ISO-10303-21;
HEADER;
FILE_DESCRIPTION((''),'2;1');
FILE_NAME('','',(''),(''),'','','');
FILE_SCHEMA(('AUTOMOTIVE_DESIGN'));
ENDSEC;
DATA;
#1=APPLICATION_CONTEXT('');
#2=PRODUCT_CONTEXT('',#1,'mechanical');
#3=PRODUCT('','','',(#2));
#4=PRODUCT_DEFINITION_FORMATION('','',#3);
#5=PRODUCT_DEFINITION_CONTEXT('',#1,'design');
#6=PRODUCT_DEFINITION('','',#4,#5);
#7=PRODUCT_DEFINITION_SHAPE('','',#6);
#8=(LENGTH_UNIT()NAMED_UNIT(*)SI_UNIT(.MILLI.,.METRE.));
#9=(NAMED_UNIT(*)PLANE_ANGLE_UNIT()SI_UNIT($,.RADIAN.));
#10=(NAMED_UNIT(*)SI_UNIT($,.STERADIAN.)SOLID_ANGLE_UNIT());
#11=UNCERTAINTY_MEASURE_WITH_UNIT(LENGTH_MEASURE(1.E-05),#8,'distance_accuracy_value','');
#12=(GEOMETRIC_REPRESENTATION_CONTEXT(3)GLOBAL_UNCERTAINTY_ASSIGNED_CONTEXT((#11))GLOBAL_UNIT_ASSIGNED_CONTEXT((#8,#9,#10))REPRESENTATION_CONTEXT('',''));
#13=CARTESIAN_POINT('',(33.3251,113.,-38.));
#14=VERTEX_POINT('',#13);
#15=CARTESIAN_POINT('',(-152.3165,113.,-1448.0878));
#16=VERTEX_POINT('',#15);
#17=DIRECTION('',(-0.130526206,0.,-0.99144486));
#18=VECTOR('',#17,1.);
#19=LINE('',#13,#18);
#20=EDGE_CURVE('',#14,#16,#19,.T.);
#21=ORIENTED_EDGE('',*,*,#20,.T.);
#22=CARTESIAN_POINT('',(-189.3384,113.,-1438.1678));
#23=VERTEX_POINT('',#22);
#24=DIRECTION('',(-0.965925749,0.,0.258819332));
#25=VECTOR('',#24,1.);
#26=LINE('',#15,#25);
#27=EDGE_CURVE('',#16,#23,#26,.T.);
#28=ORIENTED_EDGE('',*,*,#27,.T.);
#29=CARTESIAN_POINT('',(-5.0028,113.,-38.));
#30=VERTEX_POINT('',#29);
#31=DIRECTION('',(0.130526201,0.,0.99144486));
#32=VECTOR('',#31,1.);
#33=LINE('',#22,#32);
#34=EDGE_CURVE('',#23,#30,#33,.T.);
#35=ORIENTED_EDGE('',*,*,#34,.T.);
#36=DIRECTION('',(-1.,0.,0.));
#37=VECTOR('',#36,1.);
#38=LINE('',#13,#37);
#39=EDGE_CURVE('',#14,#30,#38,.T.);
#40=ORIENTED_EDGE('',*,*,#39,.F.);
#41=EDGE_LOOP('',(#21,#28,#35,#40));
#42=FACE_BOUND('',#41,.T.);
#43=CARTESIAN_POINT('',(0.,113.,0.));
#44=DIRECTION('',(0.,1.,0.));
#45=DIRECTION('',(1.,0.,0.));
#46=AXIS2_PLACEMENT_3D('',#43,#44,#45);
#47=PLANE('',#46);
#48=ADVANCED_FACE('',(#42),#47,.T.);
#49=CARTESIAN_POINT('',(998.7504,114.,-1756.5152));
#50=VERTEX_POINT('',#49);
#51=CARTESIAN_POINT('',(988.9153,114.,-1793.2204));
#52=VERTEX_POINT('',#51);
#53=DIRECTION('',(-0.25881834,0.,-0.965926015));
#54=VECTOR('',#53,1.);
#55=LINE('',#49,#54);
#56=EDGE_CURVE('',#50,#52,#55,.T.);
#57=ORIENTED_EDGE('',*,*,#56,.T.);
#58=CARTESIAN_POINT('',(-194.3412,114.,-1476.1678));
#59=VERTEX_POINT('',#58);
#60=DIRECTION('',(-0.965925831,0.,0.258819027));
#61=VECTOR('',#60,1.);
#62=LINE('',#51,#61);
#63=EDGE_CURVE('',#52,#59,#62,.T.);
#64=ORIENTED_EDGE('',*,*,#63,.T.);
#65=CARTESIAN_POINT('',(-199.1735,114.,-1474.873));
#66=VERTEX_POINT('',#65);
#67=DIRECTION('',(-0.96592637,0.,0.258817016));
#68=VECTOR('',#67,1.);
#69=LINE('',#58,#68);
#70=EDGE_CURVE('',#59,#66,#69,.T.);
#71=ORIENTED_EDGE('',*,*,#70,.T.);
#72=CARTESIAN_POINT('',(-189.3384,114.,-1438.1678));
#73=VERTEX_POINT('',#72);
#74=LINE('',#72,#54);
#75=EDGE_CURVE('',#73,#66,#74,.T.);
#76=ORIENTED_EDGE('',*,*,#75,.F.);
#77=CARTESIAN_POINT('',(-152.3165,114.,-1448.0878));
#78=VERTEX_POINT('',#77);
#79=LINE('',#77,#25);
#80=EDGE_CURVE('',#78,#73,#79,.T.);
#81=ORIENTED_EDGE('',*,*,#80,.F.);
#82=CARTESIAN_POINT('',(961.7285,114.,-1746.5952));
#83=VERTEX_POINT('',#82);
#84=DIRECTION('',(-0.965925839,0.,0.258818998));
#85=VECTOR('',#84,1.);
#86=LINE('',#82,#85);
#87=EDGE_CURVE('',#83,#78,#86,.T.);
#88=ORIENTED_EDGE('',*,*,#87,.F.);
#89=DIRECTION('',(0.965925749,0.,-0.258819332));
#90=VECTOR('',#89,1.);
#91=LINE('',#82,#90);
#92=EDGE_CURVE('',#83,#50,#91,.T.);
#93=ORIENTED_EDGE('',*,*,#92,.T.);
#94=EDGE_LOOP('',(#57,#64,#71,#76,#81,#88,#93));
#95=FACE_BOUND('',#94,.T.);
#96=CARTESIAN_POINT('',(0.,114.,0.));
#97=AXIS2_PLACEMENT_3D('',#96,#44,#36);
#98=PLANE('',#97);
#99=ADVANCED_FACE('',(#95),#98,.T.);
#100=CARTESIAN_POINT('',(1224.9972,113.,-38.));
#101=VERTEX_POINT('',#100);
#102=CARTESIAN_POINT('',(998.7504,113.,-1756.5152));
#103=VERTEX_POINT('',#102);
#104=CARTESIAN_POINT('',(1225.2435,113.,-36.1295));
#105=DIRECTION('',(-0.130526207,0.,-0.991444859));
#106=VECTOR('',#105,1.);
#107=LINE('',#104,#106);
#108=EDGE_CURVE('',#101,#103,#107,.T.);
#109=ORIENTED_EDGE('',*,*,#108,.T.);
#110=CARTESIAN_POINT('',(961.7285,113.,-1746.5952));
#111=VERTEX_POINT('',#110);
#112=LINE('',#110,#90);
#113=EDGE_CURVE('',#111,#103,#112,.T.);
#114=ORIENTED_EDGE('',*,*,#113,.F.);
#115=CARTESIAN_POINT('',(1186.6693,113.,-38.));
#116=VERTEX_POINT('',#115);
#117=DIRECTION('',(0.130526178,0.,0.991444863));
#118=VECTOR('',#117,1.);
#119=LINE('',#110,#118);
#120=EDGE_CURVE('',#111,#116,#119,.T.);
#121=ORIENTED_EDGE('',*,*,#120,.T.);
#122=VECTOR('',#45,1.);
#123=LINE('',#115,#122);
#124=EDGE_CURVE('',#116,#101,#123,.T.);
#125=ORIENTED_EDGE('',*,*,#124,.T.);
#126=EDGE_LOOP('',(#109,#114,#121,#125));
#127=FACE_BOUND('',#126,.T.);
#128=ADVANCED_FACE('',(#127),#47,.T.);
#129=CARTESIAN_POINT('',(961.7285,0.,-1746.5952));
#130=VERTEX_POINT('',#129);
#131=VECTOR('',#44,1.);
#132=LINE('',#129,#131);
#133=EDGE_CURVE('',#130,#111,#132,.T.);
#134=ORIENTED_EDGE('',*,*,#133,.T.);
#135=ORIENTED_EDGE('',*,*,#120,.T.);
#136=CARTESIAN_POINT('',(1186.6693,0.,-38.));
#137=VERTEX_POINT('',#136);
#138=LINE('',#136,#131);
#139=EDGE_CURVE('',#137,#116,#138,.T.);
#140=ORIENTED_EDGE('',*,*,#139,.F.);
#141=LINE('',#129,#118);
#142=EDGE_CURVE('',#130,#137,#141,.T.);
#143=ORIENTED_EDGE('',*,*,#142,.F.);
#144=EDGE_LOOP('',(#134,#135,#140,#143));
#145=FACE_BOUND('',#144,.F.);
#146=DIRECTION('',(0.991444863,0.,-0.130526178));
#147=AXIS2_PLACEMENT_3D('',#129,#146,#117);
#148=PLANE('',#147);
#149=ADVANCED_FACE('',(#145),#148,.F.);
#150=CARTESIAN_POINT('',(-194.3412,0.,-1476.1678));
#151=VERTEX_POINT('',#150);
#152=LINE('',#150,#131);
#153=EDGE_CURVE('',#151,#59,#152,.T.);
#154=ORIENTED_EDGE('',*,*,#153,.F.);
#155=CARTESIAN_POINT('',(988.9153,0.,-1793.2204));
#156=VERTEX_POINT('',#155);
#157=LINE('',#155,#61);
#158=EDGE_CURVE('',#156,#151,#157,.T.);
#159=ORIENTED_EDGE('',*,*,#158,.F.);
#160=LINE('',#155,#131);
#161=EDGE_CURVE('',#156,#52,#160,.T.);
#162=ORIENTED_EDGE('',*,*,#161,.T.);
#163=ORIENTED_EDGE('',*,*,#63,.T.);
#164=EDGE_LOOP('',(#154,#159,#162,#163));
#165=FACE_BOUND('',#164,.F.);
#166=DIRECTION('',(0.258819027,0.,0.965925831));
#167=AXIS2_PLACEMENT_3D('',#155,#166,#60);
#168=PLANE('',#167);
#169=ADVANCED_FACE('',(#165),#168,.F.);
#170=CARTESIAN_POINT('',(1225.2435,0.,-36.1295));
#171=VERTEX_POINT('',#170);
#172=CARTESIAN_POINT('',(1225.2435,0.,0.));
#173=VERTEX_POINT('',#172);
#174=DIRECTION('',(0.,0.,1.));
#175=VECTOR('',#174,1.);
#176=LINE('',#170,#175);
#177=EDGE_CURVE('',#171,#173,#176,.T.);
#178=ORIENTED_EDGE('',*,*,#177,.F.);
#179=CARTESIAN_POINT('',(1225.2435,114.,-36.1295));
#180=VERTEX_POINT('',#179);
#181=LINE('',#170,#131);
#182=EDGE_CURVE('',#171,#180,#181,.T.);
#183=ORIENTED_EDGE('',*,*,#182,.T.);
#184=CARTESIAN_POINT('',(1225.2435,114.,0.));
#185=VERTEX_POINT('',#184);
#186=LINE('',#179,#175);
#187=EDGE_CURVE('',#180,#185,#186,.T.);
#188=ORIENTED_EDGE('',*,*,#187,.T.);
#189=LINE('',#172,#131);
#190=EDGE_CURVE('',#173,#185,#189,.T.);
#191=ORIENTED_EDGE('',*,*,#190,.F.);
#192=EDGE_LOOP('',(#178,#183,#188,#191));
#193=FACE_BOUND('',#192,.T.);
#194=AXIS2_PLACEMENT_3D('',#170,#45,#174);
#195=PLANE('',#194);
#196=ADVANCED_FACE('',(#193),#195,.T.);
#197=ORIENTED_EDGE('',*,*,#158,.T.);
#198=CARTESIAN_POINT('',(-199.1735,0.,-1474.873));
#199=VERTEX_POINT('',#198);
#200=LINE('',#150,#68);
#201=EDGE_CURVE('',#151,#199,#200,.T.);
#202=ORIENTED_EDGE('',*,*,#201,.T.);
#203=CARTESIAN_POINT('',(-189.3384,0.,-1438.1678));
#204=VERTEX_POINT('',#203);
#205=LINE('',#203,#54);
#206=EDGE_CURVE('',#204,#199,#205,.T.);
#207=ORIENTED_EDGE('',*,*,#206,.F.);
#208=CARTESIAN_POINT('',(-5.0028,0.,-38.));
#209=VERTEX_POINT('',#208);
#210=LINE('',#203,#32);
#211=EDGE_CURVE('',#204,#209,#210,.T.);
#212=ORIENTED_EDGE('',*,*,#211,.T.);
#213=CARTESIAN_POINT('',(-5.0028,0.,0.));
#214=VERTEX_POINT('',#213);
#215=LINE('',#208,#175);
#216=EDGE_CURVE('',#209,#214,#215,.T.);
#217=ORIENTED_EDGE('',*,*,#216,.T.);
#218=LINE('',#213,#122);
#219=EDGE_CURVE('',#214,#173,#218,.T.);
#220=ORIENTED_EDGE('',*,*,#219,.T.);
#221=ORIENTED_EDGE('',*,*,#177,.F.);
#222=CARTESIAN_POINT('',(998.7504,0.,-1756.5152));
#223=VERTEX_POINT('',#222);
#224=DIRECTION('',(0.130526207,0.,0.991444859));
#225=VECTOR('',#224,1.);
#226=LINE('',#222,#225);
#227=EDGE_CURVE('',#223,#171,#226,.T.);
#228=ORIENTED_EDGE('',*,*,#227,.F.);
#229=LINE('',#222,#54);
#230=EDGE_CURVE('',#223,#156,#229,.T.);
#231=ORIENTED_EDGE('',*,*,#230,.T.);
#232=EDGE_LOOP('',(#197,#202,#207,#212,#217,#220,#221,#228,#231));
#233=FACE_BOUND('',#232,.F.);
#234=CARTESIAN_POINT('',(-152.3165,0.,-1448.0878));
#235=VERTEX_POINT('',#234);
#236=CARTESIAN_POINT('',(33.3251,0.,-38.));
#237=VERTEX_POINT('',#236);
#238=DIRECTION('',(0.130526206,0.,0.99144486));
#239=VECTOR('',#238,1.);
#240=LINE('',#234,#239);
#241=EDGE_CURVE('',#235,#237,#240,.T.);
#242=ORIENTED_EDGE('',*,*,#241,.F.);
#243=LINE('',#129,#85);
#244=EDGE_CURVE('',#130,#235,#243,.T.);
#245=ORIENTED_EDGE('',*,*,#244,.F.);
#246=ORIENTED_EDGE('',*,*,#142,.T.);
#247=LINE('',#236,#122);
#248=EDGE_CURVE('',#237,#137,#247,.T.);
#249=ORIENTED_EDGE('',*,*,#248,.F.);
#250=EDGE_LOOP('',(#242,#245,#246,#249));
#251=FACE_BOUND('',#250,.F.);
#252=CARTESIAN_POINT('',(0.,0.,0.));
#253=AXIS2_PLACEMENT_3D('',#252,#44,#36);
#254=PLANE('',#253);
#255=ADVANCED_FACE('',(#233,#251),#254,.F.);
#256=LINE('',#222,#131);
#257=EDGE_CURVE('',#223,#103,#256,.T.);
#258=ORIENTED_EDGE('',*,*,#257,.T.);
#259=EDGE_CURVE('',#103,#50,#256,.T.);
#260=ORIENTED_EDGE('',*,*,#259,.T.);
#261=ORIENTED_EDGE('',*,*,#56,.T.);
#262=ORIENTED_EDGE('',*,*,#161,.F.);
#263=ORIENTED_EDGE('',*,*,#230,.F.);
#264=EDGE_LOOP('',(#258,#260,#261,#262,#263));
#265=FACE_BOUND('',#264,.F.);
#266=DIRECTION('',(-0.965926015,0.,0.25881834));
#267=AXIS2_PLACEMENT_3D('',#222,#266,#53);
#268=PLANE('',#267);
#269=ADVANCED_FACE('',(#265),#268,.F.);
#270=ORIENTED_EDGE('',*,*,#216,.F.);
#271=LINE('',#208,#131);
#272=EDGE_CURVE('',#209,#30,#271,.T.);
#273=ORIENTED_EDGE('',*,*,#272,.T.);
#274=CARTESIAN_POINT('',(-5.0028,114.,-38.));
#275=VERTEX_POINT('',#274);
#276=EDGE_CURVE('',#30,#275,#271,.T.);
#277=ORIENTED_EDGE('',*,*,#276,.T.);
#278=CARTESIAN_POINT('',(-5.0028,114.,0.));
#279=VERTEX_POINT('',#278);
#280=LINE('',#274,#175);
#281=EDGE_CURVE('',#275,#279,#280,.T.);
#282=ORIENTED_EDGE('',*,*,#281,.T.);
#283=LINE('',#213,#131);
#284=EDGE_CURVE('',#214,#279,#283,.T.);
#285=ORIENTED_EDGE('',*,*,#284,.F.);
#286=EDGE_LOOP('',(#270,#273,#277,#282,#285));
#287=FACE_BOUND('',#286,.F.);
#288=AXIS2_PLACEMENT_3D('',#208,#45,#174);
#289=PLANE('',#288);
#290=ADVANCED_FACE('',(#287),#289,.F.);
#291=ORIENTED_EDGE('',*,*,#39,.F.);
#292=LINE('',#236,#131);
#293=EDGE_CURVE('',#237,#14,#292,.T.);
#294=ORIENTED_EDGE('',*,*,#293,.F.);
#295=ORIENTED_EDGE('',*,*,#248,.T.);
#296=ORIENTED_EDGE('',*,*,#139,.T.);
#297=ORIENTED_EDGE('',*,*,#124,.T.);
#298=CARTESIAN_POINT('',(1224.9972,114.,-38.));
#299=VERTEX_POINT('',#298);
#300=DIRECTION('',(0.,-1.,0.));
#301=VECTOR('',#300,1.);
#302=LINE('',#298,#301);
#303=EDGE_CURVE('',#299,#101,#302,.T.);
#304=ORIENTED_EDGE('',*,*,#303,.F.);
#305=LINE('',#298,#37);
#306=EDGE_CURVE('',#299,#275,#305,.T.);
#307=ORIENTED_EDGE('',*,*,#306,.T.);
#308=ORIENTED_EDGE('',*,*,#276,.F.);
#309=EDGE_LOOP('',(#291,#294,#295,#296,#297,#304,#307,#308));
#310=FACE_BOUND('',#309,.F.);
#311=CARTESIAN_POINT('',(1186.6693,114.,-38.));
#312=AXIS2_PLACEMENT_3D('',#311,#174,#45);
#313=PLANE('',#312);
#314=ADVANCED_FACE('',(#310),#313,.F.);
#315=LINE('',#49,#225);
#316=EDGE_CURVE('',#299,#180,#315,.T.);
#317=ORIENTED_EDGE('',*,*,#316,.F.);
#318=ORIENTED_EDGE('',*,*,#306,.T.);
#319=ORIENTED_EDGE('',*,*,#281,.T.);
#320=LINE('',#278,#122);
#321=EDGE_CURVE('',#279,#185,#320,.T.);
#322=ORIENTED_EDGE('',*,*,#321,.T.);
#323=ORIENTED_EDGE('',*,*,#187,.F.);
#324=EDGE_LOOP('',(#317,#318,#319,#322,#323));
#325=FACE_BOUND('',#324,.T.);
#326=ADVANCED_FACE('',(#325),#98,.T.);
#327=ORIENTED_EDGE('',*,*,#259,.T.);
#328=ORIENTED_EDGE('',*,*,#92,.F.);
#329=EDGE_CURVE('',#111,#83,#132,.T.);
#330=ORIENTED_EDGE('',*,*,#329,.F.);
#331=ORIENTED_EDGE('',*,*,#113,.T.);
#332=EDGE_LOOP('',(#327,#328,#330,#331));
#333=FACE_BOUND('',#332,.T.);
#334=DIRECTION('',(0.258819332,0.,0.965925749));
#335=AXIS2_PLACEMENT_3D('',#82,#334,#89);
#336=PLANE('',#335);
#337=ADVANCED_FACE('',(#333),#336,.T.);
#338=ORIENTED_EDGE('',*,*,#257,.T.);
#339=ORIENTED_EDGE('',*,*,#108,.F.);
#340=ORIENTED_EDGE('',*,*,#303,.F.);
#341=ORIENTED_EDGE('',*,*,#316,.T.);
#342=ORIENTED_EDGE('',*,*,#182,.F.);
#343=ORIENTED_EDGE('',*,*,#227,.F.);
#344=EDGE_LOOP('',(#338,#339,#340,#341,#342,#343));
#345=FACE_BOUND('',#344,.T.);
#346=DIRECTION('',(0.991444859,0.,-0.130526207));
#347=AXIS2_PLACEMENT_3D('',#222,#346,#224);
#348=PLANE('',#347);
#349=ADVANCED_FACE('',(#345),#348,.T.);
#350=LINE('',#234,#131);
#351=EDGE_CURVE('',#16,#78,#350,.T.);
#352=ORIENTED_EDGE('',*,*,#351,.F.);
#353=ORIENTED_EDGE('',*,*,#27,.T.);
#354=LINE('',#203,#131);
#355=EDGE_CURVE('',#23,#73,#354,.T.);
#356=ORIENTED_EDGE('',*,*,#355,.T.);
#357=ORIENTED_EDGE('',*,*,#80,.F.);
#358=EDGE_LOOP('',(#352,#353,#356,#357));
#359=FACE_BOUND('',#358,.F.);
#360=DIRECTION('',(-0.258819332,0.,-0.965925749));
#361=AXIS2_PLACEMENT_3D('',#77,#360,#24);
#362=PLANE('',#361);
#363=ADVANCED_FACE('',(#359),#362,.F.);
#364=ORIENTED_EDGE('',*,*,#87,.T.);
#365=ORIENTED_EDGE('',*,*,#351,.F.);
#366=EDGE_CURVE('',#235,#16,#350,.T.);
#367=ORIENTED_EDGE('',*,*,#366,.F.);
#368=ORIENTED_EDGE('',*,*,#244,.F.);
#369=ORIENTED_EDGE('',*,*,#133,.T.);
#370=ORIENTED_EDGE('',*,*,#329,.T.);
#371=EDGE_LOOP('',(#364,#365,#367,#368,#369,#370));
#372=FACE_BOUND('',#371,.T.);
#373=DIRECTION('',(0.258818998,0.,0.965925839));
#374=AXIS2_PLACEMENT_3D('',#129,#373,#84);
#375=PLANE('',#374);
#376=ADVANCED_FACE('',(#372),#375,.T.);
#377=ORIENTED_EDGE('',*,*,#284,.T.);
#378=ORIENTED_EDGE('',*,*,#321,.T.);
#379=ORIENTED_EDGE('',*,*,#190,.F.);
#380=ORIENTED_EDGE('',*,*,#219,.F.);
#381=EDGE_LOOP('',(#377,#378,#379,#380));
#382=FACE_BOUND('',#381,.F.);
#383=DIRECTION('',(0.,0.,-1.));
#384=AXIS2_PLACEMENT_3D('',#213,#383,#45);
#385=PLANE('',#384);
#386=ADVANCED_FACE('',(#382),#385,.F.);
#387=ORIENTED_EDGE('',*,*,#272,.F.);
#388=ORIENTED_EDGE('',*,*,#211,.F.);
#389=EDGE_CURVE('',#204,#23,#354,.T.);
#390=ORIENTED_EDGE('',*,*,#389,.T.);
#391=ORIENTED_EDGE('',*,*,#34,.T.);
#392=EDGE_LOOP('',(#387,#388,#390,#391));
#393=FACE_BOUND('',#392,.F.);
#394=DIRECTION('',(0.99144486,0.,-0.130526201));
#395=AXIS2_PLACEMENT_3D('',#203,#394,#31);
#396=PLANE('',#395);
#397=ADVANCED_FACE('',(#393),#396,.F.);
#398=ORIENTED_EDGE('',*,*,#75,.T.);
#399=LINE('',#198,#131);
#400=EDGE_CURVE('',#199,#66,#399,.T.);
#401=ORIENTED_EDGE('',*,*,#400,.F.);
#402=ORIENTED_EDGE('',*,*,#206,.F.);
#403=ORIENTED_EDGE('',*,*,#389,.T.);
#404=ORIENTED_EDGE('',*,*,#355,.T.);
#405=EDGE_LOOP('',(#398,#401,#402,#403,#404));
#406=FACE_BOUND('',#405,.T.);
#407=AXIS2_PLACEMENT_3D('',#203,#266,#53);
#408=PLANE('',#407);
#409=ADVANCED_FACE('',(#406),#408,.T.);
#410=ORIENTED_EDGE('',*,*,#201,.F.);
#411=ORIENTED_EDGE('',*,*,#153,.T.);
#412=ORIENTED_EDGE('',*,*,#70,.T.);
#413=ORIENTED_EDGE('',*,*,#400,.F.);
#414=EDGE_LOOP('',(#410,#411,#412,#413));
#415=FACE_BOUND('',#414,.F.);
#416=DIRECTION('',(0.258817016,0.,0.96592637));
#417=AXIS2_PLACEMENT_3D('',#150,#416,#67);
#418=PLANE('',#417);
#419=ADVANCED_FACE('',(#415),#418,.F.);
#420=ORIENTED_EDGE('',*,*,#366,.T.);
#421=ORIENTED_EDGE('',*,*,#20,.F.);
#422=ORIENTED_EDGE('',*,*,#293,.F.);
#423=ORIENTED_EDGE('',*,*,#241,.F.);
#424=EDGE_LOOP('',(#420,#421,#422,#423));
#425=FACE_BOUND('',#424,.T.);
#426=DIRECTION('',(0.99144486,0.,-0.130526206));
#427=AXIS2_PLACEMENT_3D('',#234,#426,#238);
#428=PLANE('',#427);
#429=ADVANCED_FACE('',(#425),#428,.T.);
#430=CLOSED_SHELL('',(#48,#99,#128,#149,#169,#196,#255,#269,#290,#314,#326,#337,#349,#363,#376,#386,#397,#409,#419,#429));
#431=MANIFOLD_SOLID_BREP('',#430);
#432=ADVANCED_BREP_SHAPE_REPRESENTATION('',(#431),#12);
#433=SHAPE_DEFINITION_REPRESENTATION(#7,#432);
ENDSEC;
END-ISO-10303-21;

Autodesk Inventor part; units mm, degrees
ref_plane "YZ Plane" through (0, 0, 0) normal (1, 0, 0) x (0, 1, 0)
ref_plane "XZ Plane" through (0, 0, 0) normal (0, 1, 0) x (-1, 0, 0)
ref_plane "XY Plane" through (0, 0, 0) normal (0, 0, 1) x (1, 0, 0)
sketch "Sketch1" plane through (0, 0, 0) normal (0, 1, 0) x (-1, 0, 0)
  line L0 (-988.9153, -1793.2204) -> (194.3412, -1476.1678)
  line L1 (189.3384, -1438.1678) -> (5.0028, -38)
  line L2 (-998.7504, -1756.5152) -> (-1225.2435, -36.1295)
  line L3 (-961.7285, -1746.5952) -> (152.3165, -1448.0878)
  line L4 (152.3165, -1448.0878) -> (-33.3251, -38)
  line L5 (-33.3251, -38) -> (-1186.6693, -38)
  line L6 (-961.7285, -1746.5952) -> (-1186.6693, -38)
  line L7 (-998.7504, -1756.5152) -> (-988.9153, -1793.2204)
  line L8 (-1225.2435, -36.1295) -> (-1225.2435, 0)
  line L9 (189.3384, -1438.1678) -> (199.1735, -1474.873)
  line L10 (194.3412, -1476.1678) -> (199.1735, -1474.873)
  line L11 (5.0028, -38) -> (5.0028, 0)
  line L12 (5.0028, 0) -> (-1225.2435, 0)
  dimension "d7" = 38
  dimension "d8" = 38
extrude "Extrusion1" add sketch "Sketch1" along normal blind 114
sketch "Sketch2" plane through (0, 114, 0) normal (0, 1, 0) x (1, 0, 0)
  line L0 (33.3251, 38) -> (-152.3165, 1448.0878) projected
  line L1 (-189.3384, 1438.1678) -> (-5.0028, 38) projected
  line L2 (-5.0028, 38) -> (-5.0028, 0) projected
  line L3 (998.7504, 1756.5152) -> (988.9153, 1793.2204) projected
  line L4 (-152.3165, 1448.0878) -> (-189.3384, 1438.1678)
  line L5 (33.3251, 38) -> (-5.0028, 38)
  point P0 (0, 0)
extrude "Extrusion2" cut sketch "Sketch2" against normal blind 1
sketch "Sketch4" plane through (0, 114, 0) normal (0, 1, 0) x (1, 0, 0)
  line L0 (961.7285, 1746.5952) -> (1186.6693, 38) projected
  line L1 (1225.2435, 0) -> (1225.2435, 36.1295) projected
  line L2 (1225.2435, 36.1295) -> (998.7504, 1756.5152) projected
  line L3 (-199.1735, 1474.873) -> (-189.3384, 1438.1678) projected
  line L4 (961.7285, 1746.5952) -> (998.7504, 1756.5152)
  line L5 (1186.6693, 38) -> (1224.9972, 38)
  point P0 (0, 0)
extrude "Extrusion4" cut sketch "Sketch4" against normal blind 1
properties part number "panelDframe" material "Wood (Cherry)"
